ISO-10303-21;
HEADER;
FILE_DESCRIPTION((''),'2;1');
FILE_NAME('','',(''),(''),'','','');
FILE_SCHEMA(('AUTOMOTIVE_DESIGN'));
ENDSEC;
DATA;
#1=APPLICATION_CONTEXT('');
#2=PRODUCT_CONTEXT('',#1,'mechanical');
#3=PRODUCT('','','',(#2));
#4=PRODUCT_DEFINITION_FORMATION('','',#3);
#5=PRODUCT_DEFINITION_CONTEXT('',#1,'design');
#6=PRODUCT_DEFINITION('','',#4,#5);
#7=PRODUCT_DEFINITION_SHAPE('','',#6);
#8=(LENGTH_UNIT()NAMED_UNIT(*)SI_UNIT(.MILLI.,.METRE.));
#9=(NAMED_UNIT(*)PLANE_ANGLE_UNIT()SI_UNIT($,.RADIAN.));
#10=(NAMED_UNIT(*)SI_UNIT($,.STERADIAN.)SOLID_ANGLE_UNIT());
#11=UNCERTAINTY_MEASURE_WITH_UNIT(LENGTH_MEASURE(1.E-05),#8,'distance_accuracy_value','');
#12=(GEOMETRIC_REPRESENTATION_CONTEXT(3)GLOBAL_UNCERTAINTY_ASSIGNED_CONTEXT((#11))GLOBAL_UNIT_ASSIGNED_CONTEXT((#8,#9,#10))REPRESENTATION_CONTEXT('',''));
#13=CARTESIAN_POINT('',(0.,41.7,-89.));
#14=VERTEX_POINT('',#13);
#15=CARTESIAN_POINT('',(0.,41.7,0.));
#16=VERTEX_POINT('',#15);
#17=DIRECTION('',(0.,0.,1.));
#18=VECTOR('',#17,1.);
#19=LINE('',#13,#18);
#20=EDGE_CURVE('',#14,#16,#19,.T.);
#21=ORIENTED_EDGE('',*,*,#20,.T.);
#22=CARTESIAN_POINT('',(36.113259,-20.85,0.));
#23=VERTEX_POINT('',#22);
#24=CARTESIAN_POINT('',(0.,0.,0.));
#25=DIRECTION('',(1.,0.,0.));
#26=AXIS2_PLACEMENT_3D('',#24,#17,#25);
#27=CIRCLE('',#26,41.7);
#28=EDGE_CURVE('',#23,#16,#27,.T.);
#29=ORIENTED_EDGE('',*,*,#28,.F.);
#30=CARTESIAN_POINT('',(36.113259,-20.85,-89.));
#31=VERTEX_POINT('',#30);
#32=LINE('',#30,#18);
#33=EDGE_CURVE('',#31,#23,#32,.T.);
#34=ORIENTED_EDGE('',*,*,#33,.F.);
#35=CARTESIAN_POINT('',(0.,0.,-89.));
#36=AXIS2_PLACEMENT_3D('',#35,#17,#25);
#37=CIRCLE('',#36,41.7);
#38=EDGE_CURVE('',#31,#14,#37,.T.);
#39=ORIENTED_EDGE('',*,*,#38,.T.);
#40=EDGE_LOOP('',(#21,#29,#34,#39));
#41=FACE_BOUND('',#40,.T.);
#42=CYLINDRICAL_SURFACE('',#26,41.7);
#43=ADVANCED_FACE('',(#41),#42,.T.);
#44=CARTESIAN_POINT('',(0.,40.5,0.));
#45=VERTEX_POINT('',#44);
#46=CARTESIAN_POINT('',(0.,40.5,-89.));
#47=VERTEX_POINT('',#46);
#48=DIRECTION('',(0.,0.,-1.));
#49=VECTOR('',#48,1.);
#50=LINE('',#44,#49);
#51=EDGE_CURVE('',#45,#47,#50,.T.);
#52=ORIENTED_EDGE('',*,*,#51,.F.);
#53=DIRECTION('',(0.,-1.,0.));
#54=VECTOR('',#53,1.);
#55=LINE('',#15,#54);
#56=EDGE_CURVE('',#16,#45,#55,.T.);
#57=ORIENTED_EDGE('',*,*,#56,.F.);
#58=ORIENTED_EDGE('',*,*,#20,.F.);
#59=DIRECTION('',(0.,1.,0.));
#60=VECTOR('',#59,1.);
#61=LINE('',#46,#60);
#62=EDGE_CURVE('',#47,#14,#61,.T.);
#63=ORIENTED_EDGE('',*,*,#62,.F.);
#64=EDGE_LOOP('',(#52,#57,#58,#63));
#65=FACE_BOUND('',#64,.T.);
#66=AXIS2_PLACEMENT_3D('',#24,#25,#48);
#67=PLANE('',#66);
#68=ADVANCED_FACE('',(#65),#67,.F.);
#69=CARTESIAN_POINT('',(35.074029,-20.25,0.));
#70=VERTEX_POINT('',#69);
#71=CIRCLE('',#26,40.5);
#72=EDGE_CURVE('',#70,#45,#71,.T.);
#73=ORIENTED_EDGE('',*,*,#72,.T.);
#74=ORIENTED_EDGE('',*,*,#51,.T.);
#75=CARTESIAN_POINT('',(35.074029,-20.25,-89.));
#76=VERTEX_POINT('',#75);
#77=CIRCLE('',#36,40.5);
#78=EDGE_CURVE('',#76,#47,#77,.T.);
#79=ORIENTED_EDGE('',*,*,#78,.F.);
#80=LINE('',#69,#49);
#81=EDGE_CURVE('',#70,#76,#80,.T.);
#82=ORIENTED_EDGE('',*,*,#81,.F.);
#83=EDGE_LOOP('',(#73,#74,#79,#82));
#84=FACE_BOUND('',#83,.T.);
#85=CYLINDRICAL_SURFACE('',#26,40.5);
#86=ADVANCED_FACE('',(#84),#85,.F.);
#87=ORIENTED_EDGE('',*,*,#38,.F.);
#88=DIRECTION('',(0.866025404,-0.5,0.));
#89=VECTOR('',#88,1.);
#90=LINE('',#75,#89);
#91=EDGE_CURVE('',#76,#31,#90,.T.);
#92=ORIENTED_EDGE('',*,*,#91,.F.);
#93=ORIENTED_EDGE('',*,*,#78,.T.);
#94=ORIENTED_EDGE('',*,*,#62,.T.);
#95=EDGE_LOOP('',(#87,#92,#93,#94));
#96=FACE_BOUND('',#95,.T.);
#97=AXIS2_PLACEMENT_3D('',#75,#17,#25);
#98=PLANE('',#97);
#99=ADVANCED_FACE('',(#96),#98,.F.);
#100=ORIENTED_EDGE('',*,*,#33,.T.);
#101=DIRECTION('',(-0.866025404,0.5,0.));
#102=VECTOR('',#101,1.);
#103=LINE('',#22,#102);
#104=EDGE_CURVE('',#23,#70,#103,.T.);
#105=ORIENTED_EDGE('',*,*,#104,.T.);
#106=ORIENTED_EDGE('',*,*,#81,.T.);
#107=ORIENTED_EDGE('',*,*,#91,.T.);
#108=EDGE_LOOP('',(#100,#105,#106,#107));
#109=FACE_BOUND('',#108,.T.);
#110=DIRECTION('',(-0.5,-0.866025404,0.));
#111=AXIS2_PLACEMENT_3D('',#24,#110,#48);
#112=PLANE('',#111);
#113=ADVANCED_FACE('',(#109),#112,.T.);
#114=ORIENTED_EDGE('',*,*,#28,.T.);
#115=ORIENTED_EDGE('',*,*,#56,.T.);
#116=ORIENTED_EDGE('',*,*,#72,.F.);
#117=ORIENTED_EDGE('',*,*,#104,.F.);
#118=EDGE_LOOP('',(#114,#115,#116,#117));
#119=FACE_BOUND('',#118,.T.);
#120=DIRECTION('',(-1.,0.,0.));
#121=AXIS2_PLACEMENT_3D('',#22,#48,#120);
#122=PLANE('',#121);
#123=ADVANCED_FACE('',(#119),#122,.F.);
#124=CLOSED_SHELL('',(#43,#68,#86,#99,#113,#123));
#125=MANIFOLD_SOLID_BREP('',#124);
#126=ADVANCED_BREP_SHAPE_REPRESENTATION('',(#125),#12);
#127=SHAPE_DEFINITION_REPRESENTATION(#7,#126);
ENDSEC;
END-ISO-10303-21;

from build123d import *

# Parameters (mm, degrees)
SKETCH_1_W      = 89
SKETCH_1_H      = 1.2
REVOLVE_1_ANGLE = 120


with BuildPart() as part:
    # Эскиз1 → Повернуть1 (revolve)
    with BuildSketch(Plane(origin=(0, 0, 0), x_dir=(0, 0, -1), z_dir=(1, 0, 0))):
        with Locations((44.5, 41.1)):
            Rectangle(SKETCH_1_W, SKETCH_1_H)
    revolve(axis=Axis((0, 0, 0), (0, 0, -1)), revolution_arc=REVOLVE_1_ANGLE)


solid = part.part
